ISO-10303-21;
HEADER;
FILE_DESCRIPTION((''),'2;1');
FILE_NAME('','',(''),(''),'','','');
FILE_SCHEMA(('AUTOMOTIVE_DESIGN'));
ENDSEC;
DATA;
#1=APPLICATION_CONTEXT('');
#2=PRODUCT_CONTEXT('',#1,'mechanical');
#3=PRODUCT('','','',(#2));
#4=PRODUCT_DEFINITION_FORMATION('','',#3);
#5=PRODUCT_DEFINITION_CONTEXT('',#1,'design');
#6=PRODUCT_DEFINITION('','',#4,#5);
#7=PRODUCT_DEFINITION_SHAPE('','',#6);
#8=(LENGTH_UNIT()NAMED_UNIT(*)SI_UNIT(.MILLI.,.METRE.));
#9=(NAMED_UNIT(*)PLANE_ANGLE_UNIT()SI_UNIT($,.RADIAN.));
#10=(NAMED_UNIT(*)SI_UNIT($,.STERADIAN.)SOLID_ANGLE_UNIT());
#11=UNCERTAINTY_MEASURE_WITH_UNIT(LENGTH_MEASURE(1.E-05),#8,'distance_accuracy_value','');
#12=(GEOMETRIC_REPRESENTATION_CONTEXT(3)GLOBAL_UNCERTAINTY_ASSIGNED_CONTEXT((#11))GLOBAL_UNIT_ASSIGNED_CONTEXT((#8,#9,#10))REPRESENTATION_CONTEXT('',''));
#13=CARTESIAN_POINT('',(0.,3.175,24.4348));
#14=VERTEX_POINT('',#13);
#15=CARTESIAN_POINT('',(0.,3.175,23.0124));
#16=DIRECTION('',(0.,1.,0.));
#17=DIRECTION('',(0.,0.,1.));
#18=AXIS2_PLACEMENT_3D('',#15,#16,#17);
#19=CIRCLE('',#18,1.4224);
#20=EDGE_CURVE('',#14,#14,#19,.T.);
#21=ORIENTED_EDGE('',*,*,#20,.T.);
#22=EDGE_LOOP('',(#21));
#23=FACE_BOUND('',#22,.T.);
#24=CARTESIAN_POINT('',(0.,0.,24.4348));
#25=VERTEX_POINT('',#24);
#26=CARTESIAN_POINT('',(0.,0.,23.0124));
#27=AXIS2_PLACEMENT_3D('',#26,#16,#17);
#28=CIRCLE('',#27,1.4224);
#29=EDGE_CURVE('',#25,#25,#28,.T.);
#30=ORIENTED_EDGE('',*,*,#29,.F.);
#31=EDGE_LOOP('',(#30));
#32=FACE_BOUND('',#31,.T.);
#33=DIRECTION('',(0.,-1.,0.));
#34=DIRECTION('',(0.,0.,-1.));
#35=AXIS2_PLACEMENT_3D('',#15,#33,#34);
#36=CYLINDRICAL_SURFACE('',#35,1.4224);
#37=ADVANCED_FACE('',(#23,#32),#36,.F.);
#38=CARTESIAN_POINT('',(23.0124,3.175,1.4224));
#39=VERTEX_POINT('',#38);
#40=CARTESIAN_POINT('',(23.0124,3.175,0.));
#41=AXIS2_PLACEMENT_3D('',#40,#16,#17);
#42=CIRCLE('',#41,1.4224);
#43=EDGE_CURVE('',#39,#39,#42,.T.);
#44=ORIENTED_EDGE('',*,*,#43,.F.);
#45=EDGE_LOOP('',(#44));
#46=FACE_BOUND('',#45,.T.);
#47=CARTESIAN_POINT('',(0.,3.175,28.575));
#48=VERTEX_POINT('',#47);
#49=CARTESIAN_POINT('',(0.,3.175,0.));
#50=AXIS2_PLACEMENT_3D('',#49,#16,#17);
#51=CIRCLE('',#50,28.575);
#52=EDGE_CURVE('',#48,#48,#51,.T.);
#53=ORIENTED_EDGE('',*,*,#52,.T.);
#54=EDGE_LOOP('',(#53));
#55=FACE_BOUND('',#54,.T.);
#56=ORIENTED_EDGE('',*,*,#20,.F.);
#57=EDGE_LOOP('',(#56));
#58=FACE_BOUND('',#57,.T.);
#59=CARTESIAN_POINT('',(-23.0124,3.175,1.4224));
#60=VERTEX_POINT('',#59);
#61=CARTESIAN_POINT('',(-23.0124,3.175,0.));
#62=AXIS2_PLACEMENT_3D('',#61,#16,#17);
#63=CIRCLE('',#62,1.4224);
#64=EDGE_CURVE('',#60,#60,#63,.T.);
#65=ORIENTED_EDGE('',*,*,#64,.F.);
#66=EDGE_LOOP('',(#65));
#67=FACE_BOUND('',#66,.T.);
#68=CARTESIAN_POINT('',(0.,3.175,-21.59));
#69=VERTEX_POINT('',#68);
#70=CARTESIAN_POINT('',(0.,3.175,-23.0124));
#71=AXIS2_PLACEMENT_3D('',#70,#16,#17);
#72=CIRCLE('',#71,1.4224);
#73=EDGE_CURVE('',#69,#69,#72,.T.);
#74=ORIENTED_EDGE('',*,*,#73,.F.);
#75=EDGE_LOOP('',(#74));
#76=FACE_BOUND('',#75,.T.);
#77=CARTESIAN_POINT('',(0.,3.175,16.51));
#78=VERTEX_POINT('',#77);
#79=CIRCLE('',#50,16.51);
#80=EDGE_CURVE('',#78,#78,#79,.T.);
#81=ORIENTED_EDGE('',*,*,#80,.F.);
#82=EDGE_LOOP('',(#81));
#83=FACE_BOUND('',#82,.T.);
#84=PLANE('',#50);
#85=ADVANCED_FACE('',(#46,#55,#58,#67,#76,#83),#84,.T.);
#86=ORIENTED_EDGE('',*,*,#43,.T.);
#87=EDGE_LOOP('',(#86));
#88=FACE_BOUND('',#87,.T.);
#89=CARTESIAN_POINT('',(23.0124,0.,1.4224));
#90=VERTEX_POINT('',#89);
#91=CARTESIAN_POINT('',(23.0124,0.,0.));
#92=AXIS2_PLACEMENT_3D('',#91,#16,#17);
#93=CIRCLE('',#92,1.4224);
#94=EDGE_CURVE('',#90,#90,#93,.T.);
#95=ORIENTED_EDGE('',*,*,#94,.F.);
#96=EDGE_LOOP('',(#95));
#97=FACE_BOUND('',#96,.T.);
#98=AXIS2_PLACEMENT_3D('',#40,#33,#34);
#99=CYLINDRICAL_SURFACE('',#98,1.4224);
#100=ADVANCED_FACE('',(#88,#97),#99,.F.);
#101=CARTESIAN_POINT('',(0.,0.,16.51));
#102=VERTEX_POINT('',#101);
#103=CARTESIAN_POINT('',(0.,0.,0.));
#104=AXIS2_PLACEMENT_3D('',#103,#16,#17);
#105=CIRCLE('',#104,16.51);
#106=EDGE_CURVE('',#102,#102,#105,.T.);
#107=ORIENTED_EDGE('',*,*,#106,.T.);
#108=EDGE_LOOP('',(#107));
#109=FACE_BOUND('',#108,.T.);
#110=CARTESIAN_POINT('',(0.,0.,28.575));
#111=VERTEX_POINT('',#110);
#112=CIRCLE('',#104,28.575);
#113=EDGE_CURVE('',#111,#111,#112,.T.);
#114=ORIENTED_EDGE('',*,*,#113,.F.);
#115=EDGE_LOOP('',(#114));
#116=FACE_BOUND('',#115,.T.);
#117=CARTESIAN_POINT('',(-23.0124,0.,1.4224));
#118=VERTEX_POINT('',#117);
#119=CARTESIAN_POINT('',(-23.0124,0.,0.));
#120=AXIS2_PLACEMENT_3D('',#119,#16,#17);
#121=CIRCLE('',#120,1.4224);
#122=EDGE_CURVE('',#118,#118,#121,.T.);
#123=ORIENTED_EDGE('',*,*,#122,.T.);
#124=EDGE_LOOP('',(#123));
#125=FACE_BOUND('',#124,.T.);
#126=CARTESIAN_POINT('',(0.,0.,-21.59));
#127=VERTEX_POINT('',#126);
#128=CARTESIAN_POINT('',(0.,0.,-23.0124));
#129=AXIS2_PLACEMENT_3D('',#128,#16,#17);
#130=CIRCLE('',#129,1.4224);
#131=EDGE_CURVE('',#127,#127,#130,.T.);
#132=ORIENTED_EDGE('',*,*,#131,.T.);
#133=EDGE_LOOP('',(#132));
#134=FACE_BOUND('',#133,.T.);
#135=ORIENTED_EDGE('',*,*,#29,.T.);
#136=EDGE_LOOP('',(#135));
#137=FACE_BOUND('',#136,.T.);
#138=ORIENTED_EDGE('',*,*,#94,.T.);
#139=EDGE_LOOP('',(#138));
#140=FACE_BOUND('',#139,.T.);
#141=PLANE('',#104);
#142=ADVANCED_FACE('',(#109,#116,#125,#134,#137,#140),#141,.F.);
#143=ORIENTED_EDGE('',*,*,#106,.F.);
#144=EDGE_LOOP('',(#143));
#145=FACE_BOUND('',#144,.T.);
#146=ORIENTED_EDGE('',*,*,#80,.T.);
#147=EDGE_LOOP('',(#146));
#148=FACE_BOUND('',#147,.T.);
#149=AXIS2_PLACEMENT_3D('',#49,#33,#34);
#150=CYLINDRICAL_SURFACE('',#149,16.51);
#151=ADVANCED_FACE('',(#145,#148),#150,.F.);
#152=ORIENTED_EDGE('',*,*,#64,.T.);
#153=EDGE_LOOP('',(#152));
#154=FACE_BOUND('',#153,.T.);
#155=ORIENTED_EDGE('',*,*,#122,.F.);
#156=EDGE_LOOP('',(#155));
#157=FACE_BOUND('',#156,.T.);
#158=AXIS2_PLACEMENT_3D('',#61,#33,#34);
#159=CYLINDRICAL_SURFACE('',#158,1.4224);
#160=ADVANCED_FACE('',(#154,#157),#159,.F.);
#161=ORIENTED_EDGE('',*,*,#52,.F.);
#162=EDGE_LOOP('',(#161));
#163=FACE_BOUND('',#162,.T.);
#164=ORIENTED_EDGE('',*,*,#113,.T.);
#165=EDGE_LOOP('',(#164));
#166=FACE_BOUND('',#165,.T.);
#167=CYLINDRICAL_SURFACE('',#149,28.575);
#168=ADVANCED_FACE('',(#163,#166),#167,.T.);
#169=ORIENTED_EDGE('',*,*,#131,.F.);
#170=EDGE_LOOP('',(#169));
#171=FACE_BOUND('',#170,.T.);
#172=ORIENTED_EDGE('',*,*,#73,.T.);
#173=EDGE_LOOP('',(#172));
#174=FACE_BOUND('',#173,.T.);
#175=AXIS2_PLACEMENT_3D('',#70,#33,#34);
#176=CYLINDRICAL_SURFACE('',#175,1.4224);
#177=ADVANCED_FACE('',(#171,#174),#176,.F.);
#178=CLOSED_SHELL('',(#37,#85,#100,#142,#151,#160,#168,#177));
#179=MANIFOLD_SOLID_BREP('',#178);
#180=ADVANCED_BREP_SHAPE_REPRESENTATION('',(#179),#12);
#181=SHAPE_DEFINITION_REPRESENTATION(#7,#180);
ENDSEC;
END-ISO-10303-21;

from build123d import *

# Parameters (mm, degrees)
SKETCH1_R           = 28.575
SKETCH1_R_2         = 16.51
SKETCH1_R_3         = 1.4224
BOSS_EXTRUDE1_DEPTH = 3.175


with BuildPart() as part:
    # Sketch1 → Boss-Extrude1 (new body)
    with BuildSketch(Plane(origin=(0, 0, 0), x_dir=(1, 0, 0), z_dir=(0, 1, 0))):
        Circle(SKETCH1_R)
        Circle(SKETCH1_R_2, mode=Mode.SUBTRACT)
        with Locations((23.0124, 0)):
            Circle(SKETCH1_R_3, mode=Mode.SUBTRACT)
        with Locations((0, -23.0124)):
            Circle(SKETCH1_R_3, mode=Mode.SUBTRACT)
        with Locations((-23.0124, 0)):
            Circle(SKETCH1_R_3, mode=Mode.SUBTRACT)
        with Locations((0, 23.0124)):
            Circle(SKETCH1_R_3, mode=Mode.SUBTRACT)
    extrude(amount=BOSS_EXTRUDE1_DEPTH)


solid = part.part
